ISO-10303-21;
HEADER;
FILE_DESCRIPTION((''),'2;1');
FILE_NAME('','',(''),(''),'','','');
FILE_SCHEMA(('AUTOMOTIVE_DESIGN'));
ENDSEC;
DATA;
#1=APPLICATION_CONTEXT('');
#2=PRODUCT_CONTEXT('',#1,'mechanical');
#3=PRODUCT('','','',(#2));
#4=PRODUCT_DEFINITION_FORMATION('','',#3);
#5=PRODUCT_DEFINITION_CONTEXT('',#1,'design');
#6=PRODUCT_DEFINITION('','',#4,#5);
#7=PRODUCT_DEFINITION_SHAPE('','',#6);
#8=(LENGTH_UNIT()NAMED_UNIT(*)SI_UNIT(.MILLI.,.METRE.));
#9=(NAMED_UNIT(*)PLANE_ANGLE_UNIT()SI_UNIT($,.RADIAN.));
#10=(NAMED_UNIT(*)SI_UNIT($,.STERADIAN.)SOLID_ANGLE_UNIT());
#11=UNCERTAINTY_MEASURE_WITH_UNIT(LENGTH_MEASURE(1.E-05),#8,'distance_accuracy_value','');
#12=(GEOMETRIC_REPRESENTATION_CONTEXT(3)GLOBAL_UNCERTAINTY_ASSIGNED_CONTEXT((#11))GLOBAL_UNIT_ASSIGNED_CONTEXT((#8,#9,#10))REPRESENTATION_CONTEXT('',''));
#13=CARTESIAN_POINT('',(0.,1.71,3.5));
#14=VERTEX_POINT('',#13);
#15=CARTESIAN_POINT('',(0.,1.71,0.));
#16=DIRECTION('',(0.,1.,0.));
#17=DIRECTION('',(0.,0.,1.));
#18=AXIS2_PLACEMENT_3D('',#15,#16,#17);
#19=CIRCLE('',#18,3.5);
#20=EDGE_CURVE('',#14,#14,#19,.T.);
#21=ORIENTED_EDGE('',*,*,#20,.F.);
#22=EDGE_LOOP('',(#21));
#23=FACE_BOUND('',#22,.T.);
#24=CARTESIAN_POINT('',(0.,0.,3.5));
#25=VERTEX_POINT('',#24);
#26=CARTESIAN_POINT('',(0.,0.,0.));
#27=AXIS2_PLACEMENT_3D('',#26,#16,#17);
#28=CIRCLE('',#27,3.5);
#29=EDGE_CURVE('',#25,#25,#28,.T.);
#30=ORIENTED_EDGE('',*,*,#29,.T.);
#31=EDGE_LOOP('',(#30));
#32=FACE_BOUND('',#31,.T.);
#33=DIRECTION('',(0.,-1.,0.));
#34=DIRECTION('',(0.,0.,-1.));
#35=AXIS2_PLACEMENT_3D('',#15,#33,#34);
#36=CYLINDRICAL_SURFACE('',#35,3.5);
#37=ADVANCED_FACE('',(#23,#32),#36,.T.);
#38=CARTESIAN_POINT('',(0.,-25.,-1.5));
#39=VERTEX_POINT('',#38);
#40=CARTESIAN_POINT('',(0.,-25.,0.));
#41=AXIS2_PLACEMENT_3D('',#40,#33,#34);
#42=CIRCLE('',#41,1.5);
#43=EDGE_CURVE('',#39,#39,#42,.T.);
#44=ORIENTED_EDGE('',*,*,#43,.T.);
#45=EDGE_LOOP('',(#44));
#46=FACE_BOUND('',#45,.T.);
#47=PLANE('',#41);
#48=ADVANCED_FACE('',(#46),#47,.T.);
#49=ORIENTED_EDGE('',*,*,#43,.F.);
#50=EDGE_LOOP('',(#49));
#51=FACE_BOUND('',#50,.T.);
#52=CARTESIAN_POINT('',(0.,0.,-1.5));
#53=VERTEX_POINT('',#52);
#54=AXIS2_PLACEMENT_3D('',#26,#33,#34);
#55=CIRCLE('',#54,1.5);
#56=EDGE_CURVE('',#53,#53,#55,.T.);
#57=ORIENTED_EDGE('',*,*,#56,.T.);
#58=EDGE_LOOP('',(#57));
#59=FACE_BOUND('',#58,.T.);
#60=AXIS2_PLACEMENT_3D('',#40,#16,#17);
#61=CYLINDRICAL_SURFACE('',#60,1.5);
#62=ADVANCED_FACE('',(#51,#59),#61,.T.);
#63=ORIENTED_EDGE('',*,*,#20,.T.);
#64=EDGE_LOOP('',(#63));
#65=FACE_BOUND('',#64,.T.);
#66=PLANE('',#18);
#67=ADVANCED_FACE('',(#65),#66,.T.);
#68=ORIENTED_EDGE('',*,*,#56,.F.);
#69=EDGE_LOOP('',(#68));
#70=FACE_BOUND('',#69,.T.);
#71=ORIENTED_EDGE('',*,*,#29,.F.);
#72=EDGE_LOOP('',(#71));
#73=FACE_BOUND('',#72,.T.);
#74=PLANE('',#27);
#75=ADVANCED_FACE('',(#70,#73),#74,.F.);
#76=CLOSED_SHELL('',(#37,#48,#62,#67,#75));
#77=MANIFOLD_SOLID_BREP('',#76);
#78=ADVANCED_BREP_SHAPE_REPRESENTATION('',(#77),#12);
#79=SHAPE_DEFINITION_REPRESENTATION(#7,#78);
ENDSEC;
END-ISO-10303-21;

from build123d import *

# Parameters (mm, degrees)
SKETCH_1_R      = 3.5
EXTRUDE_1_DEPTH = 1.71
SKETCH_2_R      = 1.5
EXTRUDE_2_DEPTH = 25


with BuildPart() as part:
    # 草图1 → 凸台-拉伸1 (new body)
    with BuildSketch(Plane(origin=(0, 0, 0), x_dir=(1, 0, 0), z_dir=(0, 1, 0))):
        Circle(SKETCH_1_R)
    extrude(amount=EXTRUDE_1_DEPTH)

    # 草图2 → 凸台-拉伸2 (add)
    with BuildSketch(Plane.XZ):
        Circle(SKETCH_2_R)
    extrude(amount=EXTRUDE_2_DEPTH)


solid = part.part
